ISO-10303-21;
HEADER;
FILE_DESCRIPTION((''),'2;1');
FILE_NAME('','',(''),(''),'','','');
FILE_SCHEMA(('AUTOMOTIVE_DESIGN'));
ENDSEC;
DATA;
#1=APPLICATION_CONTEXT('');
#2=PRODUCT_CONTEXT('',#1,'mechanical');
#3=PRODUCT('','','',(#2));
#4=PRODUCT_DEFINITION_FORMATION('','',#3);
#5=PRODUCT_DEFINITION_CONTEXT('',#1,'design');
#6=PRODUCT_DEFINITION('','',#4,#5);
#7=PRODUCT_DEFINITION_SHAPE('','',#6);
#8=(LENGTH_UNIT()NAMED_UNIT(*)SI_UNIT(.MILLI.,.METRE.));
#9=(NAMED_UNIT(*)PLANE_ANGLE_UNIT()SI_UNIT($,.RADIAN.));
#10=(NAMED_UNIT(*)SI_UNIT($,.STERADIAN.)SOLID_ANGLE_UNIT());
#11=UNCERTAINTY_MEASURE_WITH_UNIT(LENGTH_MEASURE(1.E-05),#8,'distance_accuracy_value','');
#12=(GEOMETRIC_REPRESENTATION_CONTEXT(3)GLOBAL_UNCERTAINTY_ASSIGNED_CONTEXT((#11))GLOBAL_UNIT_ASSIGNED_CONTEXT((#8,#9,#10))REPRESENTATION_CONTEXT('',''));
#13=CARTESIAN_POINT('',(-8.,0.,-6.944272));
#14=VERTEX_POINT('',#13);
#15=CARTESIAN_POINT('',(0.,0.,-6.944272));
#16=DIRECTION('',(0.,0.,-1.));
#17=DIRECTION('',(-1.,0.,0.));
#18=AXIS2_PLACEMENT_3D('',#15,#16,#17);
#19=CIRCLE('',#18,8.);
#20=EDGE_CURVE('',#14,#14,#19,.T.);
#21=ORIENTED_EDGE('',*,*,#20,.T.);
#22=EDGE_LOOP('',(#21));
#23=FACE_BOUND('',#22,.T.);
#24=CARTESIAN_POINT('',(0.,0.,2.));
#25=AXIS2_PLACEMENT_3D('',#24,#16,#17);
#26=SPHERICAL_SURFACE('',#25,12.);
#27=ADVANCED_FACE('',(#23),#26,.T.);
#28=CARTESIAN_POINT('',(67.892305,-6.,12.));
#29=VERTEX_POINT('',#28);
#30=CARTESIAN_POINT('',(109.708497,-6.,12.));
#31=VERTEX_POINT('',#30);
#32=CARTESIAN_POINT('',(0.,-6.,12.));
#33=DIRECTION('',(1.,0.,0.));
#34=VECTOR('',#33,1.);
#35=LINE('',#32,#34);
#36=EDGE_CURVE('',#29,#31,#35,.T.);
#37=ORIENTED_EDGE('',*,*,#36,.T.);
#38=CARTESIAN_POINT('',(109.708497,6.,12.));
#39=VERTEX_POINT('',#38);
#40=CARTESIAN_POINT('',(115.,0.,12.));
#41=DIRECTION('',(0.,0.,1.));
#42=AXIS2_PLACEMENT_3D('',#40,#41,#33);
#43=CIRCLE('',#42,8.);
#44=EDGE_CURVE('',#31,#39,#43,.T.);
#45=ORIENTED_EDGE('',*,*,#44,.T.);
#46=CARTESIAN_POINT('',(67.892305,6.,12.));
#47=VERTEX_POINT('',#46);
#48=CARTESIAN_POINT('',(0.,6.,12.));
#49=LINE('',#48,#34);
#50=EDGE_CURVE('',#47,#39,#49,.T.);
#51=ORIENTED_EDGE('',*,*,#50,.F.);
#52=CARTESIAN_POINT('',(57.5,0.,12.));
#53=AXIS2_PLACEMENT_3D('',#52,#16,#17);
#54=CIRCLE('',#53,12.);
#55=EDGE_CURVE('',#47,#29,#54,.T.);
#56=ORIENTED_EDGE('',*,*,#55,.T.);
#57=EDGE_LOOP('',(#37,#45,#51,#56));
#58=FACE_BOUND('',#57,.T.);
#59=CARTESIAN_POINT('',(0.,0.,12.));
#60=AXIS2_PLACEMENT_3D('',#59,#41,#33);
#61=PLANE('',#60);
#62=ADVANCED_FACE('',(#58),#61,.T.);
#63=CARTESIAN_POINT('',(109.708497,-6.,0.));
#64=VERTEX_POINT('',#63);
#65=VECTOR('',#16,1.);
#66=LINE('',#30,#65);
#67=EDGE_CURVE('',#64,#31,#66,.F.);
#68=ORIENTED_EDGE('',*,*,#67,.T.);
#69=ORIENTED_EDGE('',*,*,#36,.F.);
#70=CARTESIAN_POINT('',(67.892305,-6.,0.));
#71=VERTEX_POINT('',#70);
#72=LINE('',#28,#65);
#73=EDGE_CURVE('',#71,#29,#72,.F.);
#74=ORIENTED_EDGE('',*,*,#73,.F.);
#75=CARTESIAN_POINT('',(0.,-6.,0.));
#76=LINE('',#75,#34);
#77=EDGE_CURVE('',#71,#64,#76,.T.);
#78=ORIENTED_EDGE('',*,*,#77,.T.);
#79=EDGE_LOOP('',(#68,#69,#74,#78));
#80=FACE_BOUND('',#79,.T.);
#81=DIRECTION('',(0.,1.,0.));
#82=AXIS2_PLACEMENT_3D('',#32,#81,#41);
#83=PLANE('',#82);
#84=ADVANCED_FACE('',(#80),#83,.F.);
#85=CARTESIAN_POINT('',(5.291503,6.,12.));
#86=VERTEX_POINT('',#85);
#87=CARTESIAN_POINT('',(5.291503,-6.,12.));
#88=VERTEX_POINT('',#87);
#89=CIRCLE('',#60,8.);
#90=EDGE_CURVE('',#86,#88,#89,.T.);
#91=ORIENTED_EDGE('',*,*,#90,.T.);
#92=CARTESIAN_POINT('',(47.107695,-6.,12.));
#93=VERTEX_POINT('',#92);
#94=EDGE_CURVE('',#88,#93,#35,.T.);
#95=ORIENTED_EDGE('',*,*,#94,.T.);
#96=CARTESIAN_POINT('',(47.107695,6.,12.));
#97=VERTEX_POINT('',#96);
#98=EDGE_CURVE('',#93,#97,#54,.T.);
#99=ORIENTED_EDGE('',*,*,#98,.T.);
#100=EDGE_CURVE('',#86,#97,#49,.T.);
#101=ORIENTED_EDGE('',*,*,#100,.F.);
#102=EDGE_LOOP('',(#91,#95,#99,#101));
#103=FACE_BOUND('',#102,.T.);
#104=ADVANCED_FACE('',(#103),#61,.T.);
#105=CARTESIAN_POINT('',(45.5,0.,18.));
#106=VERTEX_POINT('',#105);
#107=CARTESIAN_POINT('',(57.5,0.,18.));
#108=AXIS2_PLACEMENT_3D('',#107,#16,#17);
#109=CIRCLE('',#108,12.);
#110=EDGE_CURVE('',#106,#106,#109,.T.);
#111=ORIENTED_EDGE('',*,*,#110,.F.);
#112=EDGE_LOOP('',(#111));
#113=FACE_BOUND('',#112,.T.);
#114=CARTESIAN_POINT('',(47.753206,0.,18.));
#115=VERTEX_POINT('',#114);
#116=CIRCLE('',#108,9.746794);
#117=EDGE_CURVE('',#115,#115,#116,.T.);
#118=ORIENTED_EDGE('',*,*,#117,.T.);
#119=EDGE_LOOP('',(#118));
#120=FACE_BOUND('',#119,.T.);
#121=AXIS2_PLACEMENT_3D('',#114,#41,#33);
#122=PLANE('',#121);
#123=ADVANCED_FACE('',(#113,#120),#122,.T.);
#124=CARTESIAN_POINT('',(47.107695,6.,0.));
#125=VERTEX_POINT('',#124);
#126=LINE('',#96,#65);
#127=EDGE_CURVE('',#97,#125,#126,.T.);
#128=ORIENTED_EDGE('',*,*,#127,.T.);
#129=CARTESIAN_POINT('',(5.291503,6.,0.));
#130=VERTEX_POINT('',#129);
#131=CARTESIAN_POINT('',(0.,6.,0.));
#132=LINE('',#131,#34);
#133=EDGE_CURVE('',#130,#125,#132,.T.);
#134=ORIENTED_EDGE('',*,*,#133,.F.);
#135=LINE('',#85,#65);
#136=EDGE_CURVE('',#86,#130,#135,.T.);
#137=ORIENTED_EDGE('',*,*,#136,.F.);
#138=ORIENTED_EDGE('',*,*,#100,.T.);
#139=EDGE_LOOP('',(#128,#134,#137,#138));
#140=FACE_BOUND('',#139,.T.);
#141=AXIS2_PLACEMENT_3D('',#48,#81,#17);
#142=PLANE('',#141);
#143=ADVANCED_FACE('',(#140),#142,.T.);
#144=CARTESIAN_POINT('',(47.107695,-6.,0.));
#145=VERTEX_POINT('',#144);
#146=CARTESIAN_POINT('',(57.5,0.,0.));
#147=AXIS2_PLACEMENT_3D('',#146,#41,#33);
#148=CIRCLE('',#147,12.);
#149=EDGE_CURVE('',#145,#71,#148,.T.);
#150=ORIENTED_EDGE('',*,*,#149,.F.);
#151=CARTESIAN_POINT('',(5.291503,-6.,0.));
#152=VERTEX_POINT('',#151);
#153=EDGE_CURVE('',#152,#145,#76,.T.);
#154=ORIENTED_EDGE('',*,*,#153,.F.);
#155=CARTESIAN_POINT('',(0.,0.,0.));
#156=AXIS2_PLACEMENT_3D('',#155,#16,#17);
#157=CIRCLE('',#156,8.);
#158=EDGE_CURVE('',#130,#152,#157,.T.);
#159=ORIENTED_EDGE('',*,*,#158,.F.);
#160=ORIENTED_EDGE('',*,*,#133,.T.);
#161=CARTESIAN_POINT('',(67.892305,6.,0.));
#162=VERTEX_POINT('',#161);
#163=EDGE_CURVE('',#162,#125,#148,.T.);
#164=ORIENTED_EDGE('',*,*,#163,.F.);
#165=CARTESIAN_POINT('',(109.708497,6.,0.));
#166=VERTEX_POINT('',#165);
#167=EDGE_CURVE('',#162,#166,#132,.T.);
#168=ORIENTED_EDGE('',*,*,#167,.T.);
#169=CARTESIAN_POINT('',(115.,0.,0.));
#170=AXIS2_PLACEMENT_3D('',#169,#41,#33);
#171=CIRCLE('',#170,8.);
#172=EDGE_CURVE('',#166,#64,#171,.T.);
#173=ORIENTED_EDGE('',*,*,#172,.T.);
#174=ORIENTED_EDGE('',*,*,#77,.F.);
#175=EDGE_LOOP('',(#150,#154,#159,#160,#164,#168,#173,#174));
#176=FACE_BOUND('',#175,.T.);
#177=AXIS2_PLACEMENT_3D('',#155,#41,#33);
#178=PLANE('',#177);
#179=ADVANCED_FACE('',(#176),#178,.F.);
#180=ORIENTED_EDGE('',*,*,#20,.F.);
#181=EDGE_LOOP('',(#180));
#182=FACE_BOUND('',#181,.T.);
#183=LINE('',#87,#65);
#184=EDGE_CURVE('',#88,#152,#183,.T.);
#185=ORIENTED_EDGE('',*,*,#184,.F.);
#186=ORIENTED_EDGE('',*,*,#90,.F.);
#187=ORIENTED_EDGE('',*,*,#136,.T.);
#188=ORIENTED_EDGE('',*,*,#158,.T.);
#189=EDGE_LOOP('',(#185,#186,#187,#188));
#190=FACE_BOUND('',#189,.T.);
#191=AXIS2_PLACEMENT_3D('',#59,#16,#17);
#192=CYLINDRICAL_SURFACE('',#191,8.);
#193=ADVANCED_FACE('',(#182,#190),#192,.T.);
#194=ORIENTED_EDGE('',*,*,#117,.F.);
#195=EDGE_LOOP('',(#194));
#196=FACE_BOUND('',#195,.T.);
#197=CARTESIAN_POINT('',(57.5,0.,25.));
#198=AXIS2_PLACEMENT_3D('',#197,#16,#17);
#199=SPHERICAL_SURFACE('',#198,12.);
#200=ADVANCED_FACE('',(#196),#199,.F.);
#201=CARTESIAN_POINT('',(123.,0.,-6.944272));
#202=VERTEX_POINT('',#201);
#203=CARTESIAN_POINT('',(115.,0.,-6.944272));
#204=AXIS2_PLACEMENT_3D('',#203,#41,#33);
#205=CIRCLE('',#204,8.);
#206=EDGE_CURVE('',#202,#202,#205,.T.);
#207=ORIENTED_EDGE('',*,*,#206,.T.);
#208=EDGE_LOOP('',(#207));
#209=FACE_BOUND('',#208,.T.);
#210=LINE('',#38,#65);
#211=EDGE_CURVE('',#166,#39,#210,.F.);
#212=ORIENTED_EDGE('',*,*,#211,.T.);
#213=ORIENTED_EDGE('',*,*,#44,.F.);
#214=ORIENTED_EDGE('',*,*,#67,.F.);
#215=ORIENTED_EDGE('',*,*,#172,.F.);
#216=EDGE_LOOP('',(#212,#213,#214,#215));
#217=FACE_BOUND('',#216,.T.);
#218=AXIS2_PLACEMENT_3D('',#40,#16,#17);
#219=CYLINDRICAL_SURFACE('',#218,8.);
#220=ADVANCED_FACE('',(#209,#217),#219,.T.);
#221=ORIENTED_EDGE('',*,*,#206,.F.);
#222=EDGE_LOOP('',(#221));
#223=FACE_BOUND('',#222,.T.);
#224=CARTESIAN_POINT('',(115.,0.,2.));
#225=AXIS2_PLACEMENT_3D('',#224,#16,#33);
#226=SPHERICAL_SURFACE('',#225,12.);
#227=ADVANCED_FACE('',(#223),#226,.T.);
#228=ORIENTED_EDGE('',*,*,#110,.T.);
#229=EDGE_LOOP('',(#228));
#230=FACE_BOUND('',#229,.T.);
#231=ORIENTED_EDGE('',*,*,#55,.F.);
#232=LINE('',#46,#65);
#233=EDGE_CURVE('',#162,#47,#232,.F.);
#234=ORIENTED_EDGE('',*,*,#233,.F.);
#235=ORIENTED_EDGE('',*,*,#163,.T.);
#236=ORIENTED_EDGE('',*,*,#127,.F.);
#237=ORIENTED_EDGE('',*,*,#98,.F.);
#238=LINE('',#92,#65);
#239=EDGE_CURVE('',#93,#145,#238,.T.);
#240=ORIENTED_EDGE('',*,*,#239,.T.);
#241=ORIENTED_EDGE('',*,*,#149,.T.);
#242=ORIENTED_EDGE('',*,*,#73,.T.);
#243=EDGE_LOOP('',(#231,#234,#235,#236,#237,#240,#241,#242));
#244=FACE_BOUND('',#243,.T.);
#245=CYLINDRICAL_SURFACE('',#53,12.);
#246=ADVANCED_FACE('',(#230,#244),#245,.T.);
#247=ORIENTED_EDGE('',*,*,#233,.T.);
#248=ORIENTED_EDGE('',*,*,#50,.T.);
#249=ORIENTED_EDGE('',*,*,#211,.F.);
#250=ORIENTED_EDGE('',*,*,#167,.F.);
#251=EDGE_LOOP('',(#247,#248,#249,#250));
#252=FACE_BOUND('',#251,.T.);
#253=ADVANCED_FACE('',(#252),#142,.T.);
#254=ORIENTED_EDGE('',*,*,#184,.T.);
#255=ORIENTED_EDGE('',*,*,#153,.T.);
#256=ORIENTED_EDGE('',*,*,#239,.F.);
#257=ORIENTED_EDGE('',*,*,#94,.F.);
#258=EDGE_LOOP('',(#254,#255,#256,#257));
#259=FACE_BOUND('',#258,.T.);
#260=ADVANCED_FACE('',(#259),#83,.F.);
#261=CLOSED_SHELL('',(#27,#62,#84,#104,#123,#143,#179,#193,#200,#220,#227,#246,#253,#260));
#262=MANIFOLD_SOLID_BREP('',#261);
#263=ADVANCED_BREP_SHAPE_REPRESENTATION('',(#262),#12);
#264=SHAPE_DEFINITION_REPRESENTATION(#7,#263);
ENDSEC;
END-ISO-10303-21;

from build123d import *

# Parameters (mm, degrees)
SKETCH_1_R      = 8
SKETCH_1_R_2    = 12
SKETCH_1_W      = 115
SKETCH_1_H      = 12
EXTRUDE_1_DEPTH = 12


with BuildPart() as part:
    # 草图1 → 凸台-拉伸1 (new body)
    with BuildSketch(Plane.XY):
        with Locations((115, 0)):
            Circle(SKETCH_1_R)
        Circle(SKETCH_1_R)
        with Locations((57.5, 0)):
            Circle(SKETCH_1_R_2)
        with Locations((57.5, 0)):
            Rectangle(SKETCH_1_W, SKETCH_1_H)
    extrude(amount=EXTRUDE_1_DEPTH)

    # 草图2 → 旋转2 (revolve)
    with BuildSketch(Plane(origin=(0, 0, 0), x_dir=(1, 0, 0), z_dir=(0, 1, 0))):
        with BuildLine():
            ThreePointArc((-8, 6.94427191), (-4.281865077, 9.210068308), (0, 10))
            Line((0, 10), (0, 0))
            Line((0, 0), (-8, 0))
            Line((-8, 0), (-8, 6.94427191))
        make_face()
    revolve_2 = revolve(axis=Axis((0, 0, -10), (0, 0, 1)))

    # 镜向1: 旋转2 across plane
    add(revolve_2.mirror(Plane(origin=(57.5, 0, 0), x_dir=(0, 0, 1), z_dir=(1, 0, 0))))

    # 草图3 → 旋转3 (revolve)
    with BuildSketch(Plane(origin=(0, 0, 0), x_dir=(1, 0, 0), z_dir=(0, 1, 0))):
        with BuildLine():
            Line((57.5, -12), (57.5, -13))
            ThreePointArc((57.5, -13), (52.022774425, -14.322921748), (47.753205655, -18))
            Line((47.753205655, -18), (45.5, -18))
            Line((45.5, -18), (45.5, -12))
            Line((45.5, -12), (57.5, -12))
        make_face()
    revolve(axis=Axis((57.5, 0, 12), (0, 0, 1)))


solid = part.part
